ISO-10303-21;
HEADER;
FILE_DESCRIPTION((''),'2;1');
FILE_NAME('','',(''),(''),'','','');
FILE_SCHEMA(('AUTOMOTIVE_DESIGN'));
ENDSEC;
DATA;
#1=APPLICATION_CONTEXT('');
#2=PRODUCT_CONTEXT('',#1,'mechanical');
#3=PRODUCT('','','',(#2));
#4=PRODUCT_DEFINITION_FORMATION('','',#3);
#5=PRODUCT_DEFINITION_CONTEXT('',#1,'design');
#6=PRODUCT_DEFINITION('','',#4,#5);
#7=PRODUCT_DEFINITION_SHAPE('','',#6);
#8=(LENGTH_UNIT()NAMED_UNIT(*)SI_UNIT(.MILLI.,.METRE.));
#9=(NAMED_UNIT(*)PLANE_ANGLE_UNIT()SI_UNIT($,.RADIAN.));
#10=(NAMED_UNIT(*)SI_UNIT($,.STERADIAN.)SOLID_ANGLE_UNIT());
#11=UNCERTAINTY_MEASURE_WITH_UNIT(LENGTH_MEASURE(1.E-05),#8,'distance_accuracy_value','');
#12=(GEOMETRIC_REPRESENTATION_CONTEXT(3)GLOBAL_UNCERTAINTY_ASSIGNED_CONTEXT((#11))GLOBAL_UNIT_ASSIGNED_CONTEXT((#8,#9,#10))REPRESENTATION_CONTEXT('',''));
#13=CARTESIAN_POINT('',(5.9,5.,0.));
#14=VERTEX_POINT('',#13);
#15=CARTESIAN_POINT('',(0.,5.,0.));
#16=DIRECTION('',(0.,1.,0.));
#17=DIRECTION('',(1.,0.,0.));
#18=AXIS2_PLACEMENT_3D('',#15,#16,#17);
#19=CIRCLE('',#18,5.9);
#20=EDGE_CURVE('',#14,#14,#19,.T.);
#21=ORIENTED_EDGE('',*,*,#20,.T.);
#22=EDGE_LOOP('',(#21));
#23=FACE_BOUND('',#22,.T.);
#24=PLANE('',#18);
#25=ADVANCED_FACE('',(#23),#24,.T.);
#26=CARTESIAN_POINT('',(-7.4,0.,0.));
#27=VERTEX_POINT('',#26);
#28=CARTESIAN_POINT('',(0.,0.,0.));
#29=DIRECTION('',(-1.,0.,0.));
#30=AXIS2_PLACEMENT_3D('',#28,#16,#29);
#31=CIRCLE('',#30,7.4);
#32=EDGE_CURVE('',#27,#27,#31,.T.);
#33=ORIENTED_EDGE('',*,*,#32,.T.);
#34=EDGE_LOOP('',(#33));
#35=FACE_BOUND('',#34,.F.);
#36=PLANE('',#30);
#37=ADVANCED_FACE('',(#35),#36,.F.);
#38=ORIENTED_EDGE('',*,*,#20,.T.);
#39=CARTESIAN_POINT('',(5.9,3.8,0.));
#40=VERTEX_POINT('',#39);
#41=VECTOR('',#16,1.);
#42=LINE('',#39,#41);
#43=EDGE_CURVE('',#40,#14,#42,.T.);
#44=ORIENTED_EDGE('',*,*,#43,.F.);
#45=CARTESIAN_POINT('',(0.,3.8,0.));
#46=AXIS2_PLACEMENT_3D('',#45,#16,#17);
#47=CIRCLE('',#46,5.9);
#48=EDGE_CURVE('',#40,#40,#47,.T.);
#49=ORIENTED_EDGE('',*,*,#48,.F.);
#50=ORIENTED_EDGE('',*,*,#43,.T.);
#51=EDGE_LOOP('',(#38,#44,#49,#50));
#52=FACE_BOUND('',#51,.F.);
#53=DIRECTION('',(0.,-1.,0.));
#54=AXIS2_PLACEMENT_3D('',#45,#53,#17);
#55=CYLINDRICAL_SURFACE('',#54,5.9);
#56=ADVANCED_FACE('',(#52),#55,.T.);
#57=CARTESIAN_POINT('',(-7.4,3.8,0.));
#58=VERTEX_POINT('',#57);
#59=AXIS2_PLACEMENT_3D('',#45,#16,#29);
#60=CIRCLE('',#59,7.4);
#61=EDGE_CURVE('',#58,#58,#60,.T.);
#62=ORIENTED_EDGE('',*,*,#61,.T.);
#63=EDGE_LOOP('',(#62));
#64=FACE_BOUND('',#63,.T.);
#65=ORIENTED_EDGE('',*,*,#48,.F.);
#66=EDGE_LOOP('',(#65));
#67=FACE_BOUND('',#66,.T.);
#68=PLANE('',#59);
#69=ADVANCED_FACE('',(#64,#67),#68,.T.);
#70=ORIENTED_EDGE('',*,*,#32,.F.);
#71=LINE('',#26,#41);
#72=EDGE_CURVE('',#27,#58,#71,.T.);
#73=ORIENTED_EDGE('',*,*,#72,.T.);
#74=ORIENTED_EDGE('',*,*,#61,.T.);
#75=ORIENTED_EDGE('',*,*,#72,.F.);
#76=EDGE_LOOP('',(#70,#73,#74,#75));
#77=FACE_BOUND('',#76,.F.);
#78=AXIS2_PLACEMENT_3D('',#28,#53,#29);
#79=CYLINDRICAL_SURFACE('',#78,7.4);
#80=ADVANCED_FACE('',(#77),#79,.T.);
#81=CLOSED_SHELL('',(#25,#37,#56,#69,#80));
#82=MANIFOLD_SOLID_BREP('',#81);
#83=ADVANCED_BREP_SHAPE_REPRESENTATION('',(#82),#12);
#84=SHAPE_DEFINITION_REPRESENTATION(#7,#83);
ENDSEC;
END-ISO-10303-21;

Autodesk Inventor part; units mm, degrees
ref_plane "YZ Plane" through (0, 0, 0) normal (1, 0, 0) x (0, 1, 0)
ref_plane "XZ Plane" through (0, 0, 0) normal (0, 1, 0) x (-1, 0, 0)
ref_plane "XY Plane" through (0, 0, 0) normal (0, 0, 1) x (1, 0, 0)
sketch "Skizze1" plane through (0, 0, 0) normal (0, 1, 0) x (-1, 0, 0)
  circle A0 centre (0, 0) radius 7.4
  dimension "d0" = 14.8
extrude "Extrusion1" add sketch "Skizze1" along normal blind 3.8
sketch "Skizze2" plane through (0, 3.8, 0) normal (0, 1, 0) x (1, 0, 0)
  circle A0 centre (0, 0) radius 5.9
  dimension "d3" = 11.8
extrude "Extrusion2" add sketch "Skizze2" along normal blind 1.2
properties part number "Knopf"
